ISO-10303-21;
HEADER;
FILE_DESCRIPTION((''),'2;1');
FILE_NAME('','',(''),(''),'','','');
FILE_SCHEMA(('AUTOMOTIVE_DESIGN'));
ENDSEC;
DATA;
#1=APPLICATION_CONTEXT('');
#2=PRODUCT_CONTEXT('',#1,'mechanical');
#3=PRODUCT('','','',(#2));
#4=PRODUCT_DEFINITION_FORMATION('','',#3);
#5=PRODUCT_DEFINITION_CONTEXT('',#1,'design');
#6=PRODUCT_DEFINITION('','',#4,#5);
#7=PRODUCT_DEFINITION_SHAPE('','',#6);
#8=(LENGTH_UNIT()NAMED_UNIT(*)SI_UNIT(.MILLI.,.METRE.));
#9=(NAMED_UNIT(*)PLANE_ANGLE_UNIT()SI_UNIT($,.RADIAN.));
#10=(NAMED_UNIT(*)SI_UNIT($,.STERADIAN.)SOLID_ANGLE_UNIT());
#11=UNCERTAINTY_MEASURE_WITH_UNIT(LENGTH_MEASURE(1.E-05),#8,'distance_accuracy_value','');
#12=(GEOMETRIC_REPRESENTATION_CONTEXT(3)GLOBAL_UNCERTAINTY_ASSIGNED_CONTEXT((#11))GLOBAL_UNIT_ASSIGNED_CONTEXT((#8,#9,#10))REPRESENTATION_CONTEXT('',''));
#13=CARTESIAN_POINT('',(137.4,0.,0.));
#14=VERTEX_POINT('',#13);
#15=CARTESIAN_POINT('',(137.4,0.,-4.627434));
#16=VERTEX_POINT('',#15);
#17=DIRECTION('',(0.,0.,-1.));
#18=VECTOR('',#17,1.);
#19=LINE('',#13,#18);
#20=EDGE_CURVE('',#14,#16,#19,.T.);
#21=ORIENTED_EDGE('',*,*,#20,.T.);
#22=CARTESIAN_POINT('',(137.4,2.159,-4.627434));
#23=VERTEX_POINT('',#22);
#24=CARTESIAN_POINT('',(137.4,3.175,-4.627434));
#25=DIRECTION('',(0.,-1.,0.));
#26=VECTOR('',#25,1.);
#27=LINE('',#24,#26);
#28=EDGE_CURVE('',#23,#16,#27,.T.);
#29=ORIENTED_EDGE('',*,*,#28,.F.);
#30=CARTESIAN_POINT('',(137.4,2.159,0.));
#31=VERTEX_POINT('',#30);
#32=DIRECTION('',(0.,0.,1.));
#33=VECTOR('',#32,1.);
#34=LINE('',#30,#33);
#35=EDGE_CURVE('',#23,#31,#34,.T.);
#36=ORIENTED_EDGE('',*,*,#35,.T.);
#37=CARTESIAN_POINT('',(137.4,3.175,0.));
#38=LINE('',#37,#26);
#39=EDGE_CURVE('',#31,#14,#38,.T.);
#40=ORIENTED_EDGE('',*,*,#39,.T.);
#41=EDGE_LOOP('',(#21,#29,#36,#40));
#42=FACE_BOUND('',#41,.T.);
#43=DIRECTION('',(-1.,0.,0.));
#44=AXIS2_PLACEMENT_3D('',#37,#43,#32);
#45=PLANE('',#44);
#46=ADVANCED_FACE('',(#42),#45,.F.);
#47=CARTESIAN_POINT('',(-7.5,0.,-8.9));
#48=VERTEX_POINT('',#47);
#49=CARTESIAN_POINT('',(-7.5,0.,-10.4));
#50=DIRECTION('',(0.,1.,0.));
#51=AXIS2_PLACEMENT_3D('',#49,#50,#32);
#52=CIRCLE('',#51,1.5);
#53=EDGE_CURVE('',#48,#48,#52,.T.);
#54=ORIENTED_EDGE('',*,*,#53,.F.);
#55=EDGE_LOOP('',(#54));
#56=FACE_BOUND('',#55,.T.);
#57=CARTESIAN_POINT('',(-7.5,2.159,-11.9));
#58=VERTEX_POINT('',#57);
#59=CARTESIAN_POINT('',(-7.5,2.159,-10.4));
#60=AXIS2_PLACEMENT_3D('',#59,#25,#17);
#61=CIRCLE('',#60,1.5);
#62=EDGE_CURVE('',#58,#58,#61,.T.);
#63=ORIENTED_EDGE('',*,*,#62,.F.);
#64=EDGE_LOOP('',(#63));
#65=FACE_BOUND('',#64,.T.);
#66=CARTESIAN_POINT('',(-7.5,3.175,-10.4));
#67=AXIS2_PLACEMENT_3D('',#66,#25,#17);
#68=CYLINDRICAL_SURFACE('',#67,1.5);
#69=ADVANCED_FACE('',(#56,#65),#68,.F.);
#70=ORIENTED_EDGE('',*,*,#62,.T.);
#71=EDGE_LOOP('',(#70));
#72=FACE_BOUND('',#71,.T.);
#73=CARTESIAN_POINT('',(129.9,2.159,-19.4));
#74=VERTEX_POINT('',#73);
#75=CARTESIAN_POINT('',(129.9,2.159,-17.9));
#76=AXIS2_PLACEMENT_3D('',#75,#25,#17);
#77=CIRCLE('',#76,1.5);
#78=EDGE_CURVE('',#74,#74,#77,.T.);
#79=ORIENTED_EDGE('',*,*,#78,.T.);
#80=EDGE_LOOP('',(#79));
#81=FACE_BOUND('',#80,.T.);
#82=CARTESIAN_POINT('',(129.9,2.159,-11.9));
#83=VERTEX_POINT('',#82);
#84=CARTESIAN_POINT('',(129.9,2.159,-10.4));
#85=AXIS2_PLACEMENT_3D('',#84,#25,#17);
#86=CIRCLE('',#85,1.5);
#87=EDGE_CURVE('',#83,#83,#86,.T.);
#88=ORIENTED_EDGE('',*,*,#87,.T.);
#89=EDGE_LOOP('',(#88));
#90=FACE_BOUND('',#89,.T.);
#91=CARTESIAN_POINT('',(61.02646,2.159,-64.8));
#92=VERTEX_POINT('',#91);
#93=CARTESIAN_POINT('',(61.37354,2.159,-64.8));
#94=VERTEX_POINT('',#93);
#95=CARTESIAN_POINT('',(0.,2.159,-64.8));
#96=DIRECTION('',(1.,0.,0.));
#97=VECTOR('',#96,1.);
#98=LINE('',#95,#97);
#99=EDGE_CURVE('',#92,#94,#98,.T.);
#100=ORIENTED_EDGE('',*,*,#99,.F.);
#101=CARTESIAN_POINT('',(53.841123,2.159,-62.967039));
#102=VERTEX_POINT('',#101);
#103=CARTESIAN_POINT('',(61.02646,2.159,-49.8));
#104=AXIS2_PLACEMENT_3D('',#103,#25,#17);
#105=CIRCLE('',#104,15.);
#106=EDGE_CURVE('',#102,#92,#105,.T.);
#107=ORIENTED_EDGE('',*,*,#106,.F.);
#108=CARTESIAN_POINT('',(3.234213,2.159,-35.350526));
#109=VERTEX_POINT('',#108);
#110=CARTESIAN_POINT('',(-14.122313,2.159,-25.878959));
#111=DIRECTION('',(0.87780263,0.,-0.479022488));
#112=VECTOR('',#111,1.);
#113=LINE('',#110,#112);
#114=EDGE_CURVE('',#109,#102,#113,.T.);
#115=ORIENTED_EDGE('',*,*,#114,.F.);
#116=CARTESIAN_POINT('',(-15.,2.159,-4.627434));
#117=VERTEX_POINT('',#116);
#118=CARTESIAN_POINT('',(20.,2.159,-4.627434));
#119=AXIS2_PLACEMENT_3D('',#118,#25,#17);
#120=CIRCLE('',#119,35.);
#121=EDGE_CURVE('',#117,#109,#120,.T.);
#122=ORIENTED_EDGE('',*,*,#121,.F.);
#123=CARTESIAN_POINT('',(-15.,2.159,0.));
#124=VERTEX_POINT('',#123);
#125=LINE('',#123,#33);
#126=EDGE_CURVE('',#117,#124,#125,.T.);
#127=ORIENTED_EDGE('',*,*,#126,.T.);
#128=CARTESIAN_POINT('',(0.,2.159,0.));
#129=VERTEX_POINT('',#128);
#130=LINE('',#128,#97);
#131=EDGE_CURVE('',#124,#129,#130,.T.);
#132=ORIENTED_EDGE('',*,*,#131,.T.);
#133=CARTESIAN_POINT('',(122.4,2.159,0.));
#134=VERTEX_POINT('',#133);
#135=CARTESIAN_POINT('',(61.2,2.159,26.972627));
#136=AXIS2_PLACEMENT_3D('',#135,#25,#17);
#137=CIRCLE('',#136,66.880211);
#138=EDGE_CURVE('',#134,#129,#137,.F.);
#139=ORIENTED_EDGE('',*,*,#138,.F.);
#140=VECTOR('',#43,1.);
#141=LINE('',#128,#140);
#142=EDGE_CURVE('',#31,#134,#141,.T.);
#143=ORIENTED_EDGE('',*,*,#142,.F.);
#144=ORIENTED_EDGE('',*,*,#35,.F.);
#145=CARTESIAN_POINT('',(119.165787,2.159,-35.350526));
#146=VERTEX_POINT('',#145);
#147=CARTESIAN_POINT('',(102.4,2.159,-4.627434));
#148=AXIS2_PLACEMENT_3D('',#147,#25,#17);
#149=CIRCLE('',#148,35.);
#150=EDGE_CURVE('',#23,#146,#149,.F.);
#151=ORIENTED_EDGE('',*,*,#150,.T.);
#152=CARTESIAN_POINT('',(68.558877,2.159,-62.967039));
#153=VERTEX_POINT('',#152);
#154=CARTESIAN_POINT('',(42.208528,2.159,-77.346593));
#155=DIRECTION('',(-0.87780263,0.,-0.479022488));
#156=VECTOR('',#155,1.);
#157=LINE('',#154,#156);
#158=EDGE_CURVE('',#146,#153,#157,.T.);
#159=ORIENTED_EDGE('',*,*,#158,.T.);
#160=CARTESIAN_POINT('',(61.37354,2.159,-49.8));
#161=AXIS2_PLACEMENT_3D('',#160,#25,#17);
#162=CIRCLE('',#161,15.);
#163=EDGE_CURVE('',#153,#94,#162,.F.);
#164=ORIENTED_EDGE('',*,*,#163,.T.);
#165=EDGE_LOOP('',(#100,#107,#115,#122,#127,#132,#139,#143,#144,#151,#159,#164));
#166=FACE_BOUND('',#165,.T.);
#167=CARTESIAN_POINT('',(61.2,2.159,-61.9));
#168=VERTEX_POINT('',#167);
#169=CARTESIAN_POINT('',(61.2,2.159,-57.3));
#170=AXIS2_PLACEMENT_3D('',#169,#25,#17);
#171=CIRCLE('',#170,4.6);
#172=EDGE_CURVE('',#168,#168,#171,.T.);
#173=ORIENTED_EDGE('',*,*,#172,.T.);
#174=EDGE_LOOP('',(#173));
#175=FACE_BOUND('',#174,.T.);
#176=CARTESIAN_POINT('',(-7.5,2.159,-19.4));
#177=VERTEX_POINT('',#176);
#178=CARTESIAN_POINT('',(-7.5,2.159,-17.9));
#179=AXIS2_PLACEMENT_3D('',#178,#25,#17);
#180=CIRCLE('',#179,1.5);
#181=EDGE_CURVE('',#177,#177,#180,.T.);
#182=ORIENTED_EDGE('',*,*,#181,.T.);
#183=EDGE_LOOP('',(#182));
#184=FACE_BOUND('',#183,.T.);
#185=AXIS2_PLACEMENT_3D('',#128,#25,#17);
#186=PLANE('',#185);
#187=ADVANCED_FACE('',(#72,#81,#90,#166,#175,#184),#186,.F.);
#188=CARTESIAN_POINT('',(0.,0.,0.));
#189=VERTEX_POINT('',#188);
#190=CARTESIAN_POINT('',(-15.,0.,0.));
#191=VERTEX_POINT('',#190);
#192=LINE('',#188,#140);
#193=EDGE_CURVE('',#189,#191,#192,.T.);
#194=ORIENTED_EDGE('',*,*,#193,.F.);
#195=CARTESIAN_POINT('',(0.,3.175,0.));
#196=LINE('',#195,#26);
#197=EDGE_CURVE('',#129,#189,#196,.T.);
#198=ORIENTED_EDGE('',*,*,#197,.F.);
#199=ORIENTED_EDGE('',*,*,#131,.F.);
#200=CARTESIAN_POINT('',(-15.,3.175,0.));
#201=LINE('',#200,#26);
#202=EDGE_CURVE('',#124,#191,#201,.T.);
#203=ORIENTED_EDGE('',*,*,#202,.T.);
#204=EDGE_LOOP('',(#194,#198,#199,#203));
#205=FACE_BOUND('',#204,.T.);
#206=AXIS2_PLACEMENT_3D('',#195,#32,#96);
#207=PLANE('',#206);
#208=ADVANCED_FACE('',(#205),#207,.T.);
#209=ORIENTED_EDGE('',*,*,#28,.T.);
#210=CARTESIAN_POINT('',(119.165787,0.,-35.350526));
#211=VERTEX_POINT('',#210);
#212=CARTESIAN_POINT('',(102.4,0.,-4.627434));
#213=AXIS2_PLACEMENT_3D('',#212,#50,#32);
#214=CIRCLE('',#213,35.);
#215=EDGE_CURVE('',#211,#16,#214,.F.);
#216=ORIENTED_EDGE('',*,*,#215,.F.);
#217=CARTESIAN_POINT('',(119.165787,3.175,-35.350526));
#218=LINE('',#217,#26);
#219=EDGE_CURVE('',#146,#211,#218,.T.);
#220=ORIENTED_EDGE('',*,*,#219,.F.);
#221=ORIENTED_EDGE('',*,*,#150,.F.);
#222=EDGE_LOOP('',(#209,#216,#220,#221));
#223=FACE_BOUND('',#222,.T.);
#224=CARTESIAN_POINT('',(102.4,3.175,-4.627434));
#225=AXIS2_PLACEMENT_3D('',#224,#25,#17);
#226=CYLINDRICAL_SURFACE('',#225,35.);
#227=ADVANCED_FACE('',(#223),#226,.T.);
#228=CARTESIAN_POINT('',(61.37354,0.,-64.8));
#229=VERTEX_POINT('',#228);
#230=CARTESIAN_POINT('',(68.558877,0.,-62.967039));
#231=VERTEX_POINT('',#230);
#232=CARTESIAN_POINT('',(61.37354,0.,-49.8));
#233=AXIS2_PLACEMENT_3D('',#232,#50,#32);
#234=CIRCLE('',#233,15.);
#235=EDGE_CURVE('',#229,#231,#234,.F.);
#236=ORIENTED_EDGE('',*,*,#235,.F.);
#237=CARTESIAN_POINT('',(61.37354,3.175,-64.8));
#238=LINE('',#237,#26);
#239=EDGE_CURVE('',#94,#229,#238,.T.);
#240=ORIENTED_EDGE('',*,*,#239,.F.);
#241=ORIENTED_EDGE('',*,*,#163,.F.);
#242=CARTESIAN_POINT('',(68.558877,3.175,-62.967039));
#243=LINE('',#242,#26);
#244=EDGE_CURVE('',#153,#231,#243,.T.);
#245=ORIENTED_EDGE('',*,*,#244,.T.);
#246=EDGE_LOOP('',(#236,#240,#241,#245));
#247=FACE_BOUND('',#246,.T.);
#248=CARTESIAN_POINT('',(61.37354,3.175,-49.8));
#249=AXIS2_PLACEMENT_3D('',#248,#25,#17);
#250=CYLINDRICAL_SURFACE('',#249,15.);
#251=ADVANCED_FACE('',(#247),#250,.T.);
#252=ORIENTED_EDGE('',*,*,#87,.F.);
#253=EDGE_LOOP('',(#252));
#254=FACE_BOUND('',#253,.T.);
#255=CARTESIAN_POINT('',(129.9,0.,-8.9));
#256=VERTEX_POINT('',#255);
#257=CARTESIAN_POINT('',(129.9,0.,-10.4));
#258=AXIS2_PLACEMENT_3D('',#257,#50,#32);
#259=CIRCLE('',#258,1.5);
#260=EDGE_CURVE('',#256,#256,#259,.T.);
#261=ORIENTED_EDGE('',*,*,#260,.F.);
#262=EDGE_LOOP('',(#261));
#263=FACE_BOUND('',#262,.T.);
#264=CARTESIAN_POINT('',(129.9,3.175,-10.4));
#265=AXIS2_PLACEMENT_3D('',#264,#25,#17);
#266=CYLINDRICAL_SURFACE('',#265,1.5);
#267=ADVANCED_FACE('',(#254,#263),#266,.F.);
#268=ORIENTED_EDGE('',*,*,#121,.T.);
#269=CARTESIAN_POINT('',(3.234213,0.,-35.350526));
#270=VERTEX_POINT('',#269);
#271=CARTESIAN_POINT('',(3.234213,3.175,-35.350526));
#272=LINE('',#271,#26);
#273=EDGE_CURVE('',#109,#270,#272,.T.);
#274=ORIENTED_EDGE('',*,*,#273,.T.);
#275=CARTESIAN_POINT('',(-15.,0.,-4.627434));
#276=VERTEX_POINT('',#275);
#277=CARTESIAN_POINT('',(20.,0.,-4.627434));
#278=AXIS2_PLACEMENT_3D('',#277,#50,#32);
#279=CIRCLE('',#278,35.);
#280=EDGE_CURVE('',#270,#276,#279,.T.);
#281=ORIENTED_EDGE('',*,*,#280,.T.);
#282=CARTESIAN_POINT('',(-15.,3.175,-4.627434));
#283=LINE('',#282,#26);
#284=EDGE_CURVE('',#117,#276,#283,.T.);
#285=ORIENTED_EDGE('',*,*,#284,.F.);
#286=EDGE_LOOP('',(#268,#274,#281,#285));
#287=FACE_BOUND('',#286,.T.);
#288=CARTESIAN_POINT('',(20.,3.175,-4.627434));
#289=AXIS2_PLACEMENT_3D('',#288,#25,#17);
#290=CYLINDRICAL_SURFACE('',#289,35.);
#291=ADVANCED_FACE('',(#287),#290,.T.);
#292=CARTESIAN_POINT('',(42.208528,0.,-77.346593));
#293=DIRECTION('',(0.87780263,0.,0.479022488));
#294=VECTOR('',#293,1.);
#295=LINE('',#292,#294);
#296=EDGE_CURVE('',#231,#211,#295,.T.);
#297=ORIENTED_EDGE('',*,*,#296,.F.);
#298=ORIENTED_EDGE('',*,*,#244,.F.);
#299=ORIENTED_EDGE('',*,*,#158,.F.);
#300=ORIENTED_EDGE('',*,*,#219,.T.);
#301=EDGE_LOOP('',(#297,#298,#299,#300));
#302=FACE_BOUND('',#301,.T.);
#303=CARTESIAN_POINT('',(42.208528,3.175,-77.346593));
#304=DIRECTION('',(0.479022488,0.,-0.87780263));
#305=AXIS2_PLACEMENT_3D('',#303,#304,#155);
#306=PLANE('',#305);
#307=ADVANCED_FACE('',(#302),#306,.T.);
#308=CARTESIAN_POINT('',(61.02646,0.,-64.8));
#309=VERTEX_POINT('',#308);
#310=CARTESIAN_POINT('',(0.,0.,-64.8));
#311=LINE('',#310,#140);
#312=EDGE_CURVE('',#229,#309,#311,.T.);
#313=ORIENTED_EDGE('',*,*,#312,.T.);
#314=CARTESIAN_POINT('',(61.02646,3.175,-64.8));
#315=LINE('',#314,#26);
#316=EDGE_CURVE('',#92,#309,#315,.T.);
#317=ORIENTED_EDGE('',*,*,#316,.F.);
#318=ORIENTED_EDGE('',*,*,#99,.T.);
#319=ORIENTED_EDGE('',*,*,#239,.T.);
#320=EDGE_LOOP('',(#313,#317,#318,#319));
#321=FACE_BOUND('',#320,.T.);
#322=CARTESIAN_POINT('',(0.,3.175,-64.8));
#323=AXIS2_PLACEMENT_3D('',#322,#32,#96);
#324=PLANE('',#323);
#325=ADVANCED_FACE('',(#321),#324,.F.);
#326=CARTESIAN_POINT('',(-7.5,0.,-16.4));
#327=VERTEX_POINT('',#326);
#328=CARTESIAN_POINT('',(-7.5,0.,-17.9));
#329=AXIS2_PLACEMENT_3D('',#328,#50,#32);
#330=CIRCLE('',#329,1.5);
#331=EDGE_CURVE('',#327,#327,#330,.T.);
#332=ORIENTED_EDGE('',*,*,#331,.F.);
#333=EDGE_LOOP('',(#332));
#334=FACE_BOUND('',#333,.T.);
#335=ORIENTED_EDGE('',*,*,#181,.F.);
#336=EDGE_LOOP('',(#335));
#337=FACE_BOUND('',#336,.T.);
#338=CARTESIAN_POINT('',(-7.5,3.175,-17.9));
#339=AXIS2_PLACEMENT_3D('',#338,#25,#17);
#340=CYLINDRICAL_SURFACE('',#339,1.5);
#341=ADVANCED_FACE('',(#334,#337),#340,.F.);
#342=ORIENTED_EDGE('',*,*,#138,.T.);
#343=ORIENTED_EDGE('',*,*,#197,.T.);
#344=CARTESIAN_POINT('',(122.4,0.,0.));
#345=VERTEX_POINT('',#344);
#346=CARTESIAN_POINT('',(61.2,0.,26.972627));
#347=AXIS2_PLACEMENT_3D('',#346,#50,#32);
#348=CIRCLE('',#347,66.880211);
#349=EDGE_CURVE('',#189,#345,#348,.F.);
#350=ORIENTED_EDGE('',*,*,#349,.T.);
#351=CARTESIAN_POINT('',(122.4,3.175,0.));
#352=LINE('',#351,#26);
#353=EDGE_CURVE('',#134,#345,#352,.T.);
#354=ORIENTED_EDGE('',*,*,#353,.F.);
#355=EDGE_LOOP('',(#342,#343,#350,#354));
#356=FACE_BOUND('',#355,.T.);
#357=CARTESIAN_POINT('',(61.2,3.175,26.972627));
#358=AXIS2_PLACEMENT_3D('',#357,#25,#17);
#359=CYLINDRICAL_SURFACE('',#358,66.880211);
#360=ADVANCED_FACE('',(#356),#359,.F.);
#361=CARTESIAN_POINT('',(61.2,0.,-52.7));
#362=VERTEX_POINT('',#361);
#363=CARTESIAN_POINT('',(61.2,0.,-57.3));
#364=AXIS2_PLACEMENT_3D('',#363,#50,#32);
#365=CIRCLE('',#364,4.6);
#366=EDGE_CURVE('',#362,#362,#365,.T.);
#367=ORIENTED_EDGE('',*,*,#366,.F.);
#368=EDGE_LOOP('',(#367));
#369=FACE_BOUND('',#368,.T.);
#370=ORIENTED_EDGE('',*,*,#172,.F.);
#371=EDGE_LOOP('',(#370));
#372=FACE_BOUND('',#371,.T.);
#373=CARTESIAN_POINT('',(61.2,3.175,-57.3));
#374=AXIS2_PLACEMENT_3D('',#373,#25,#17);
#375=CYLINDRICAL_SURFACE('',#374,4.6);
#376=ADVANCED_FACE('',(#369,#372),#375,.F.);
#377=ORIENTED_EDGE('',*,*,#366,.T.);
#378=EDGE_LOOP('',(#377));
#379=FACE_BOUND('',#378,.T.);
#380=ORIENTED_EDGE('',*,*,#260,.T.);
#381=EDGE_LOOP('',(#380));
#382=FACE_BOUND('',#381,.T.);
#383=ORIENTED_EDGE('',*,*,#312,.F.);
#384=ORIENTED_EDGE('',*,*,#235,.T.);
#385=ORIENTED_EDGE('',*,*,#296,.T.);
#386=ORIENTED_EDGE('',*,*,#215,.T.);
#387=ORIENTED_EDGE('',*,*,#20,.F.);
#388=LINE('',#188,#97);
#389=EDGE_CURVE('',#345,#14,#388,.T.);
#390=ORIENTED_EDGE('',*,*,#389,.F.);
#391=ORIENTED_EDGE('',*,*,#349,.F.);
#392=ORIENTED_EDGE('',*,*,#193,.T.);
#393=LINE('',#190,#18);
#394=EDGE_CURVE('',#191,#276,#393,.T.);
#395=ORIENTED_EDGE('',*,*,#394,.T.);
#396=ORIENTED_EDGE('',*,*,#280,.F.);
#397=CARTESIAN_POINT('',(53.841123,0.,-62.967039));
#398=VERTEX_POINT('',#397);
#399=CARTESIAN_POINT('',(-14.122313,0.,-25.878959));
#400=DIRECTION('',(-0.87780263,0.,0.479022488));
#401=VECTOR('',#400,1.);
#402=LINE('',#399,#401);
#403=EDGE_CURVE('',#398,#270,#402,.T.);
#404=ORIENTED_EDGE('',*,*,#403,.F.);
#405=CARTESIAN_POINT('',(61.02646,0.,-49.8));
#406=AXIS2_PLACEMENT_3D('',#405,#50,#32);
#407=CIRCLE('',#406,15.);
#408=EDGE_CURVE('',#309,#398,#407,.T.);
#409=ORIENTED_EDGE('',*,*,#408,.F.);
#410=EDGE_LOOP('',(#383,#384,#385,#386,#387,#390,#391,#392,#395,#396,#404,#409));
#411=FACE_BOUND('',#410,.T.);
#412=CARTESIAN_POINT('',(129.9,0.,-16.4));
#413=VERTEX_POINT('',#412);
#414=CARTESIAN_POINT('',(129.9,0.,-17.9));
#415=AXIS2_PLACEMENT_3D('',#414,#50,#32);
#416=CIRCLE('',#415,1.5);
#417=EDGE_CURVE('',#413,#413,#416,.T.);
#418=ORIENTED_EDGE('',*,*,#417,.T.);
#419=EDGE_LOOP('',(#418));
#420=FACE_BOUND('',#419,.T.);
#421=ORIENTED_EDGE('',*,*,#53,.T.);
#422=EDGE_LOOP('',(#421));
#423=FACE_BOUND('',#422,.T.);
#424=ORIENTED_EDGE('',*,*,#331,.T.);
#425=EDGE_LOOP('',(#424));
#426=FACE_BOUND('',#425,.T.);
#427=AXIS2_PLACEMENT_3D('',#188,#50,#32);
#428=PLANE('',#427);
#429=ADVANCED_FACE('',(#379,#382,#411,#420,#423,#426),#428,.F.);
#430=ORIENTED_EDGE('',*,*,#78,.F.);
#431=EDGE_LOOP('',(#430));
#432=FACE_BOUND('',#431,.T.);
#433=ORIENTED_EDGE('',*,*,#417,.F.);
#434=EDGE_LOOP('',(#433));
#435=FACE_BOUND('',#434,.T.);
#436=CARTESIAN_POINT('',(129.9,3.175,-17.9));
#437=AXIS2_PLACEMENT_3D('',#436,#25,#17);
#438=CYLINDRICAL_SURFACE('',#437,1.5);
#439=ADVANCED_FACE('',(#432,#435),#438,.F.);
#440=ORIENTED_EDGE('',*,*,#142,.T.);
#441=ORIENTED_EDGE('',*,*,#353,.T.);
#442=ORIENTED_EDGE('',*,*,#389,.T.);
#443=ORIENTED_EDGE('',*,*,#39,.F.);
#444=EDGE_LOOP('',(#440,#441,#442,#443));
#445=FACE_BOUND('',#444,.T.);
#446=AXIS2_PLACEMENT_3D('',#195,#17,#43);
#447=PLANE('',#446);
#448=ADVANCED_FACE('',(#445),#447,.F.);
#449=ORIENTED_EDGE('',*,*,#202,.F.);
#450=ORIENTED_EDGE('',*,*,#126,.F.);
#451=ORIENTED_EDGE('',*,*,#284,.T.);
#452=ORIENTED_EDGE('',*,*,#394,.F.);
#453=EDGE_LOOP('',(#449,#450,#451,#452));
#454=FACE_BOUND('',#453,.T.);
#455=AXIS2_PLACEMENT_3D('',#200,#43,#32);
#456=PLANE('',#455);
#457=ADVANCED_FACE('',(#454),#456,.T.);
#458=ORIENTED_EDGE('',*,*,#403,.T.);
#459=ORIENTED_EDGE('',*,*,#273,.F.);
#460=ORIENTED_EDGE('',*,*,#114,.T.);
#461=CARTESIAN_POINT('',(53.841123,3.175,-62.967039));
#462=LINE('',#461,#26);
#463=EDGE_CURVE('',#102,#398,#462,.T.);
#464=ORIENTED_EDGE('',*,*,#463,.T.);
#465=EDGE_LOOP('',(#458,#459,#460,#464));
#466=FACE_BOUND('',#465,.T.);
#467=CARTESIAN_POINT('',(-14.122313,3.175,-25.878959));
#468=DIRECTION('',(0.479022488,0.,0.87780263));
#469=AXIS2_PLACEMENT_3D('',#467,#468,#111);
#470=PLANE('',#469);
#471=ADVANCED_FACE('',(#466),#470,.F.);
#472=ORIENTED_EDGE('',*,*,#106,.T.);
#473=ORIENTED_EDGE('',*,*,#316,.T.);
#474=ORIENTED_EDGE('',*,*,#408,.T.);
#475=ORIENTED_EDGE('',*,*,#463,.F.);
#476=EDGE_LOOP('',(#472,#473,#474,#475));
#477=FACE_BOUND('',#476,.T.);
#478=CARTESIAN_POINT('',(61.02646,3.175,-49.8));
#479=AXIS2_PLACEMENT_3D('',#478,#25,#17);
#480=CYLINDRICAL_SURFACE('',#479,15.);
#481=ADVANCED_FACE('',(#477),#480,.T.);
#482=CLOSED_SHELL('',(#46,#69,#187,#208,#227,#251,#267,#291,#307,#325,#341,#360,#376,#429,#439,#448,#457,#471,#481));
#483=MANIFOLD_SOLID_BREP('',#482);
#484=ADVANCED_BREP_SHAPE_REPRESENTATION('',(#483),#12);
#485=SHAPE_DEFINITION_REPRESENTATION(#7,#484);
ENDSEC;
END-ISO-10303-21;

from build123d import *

# Parameters (mm, degrees)
SKETCH1_R           = 4.6
SKETCH1_R_2         = 1.5
BOSS_EXTRUDE2_DEPTH = 3.175
SKETCH2_W           = 235.965281387
SKETCH2_H           = 118.721671229
CUT_EXTRUDE1_DEPTH  = 1.016


with BuildPart() as part:
    # Sketch1 → Boss-Extrude2 (new body)
    with BuildSketch(Plane(origin=(0, 0, 0), x_dir=(1, 0, 0), z_dir=(0, 1, 0))):
        with BuildLine():
            Line((-7.5, 0), (0, 0))
            ThreePointArc((0, 0), (61.2, 39.907584028), (122.4, 0))
            Line((122.4, 0), (129.9, 0))
            Line((129.9, 0), (137.4, 0))
            Line((137.4, 0), (137.4, 4.627434139))
            ThreePointArc((137.4, 4.627434139), (132.49819386, 22.490768832), (119.165787065, 35.350526172))
            Line((119.165787065, 35.350526172), (68.55887696, 62.967039443))
            ThreePointArc((68.55887696, 62.967039443), (65.081261882, 64.334538033), (61.373539646, 64.8))
            Line((61.373539646, 64.8), (61.026460354, 64.8))
            ThreePointArc((61.026460354, 64.8), (57.318738118, 64.334538033), (53.84112304, 62.967039443))
            Line((53.84112304, 62.967039443), (3.234212935, 35.350526172))
            ThreePointArc((3.234212935, 35.350526172), (-10.09819386, 22.490768832), (-15, 4.627434139))
            Line((-15, 4.627434139), (-15, 0))
            Line((-15, 0), (-7.5, 0))
        make_face()
        with Locations(Location((61.2, 57.3, 0), (0, 0, 270))):
            Circle(SKETCH1_R, mode=Mode.SUBTRACT)
        with BuildLine():
            ThreePointArc((-7.5, 8.9), (-9, 10.4), (-7.5, 11.9))
            ThreePointArc((-7.5, 11.9), (-6, 10.4), (-7.5, 8.9))
        make_face(mode=Mode.SUBTRACT)
        with Locations(Location((-7.5, 17.9, 0), (0, 0, 270))):
            Circle(SKETCH1_R_2, mode=Mode.SUBTRACT)
        with BuildLine():
            ThreePointArc((129.9, 8.9), (128.4, 10.4), (129.9, 11.9))
            ThreePointArc((129.9, 11.9), (131.4, 10.4), (129.9, 8.9))
        make_face(mode=Mode.SUBTRACT)
        with Locations(Location((129.9, 17.9, 0), (0, 0, 270))):
            Circle(SKETCH1_R_2, mode=Mode.SUBTRACT)
    extrude(amount=BOSS_EXTRUDE2_DEPTH)

    # Sketch2 → Cut-Extrude1 (cut)
    with BuildSketch(Plane(origin=(0, 3.175, 0), x_dir=(1, 0, 0), z_dir=(0, 1, 0))):
        with Locations((50.311488443, 30.817995662)):
            Rectangle(SKETCH2_W, SKETCH2_H)
    extrude(amount=-CUT_EXTRUDE1_DEPTH, mode=Mode.SUBTRACT)


solid = part.part
